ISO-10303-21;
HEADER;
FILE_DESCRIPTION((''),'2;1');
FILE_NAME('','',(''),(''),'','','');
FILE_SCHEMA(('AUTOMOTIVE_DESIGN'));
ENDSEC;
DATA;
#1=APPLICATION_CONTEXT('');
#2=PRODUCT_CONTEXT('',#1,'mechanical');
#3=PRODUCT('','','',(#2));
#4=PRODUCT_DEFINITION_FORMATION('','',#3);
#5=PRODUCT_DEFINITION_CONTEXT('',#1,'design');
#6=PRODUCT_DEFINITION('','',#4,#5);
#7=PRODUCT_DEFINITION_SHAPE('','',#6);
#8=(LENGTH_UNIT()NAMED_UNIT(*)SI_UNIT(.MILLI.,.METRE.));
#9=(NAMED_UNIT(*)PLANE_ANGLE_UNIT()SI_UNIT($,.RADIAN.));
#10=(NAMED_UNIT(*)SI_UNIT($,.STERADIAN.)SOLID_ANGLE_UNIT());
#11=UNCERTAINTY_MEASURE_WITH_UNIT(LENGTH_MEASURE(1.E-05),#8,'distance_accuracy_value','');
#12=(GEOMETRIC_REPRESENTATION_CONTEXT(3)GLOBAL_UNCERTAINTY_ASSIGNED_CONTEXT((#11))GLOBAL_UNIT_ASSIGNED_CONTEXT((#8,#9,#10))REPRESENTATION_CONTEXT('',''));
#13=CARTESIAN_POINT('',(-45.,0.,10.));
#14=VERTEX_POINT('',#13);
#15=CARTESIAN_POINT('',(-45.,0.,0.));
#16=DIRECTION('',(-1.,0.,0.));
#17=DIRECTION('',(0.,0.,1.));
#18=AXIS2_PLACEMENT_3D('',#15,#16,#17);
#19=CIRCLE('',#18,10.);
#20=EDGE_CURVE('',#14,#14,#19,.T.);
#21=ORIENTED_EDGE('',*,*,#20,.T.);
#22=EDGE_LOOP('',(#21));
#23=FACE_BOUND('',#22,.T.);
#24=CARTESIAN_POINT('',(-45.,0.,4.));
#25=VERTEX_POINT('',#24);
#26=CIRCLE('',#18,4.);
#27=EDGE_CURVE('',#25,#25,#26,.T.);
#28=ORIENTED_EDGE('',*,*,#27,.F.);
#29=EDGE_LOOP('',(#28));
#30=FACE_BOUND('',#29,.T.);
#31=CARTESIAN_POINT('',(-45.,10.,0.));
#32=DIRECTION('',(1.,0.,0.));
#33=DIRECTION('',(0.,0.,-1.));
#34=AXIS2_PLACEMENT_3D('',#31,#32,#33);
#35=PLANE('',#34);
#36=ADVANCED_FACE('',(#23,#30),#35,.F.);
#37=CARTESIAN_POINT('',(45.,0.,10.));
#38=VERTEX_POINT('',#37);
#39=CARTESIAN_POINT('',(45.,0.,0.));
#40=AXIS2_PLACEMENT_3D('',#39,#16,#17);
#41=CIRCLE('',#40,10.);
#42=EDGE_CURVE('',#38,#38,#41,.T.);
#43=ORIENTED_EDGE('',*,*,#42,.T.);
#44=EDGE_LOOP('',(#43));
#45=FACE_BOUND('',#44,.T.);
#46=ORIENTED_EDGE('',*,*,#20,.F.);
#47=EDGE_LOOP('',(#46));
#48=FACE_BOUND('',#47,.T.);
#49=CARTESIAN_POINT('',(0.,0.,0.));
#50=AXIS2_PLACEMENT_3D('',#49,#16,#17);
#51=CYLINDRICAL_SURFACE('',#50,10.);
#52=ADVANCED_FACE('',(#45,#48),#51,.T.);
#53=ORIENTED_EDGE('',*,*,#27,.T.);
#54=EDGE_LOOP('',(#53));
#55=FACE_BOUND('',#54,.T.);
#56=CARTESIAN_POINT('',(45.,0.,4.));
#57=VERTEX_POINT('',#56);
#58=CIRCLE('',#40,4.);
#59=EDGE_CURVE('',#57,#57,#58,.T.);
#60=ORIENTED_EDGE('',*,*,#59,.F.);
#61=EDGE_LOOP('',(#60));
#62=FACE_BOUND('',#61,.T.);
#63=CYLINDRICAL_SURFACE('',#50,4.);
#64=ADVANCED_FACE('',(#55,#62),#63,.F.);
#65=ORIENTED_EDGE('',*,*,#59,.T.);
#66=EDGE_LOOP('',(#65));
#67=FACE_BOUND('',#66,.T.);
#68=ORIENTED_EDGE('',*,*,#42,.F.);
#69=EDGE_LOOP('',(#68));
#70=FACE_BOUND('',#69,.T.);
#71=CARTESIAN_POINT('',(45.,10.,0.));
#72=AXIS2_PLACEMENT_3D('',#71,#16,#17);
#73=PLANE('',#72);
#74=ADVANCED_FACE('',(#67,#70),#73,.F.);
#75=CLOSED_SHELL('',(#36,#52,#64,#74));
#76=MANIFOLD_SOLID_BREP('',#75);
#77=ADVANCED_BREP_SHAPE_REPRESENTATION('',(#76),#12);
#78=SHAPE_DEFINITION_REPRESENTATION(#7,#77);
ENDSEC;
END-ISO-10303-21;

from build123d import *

# Parameters (mm, degrees)
SKETCH_1_W = 90
SKETCH_1_H = 6


with BuildPart() as part:
    # ｽｹｯﾁ1 → 回転1 (revolve)
    with BuildSketch(Plane.XY, mode=Mode.PRIVATE) as revolve_1_sk:
        with Locations((0, 7)):
            Rectangle(SKETCH_1_W, SKETCH_1_H)
    revolve(revolve_1_sk.sketch.rotate(Axis((0, 0, 0), (1, 0, 0)), 90), axis=Axis((0, 0, 0), (1, 0, 0)))


solid = part.part
